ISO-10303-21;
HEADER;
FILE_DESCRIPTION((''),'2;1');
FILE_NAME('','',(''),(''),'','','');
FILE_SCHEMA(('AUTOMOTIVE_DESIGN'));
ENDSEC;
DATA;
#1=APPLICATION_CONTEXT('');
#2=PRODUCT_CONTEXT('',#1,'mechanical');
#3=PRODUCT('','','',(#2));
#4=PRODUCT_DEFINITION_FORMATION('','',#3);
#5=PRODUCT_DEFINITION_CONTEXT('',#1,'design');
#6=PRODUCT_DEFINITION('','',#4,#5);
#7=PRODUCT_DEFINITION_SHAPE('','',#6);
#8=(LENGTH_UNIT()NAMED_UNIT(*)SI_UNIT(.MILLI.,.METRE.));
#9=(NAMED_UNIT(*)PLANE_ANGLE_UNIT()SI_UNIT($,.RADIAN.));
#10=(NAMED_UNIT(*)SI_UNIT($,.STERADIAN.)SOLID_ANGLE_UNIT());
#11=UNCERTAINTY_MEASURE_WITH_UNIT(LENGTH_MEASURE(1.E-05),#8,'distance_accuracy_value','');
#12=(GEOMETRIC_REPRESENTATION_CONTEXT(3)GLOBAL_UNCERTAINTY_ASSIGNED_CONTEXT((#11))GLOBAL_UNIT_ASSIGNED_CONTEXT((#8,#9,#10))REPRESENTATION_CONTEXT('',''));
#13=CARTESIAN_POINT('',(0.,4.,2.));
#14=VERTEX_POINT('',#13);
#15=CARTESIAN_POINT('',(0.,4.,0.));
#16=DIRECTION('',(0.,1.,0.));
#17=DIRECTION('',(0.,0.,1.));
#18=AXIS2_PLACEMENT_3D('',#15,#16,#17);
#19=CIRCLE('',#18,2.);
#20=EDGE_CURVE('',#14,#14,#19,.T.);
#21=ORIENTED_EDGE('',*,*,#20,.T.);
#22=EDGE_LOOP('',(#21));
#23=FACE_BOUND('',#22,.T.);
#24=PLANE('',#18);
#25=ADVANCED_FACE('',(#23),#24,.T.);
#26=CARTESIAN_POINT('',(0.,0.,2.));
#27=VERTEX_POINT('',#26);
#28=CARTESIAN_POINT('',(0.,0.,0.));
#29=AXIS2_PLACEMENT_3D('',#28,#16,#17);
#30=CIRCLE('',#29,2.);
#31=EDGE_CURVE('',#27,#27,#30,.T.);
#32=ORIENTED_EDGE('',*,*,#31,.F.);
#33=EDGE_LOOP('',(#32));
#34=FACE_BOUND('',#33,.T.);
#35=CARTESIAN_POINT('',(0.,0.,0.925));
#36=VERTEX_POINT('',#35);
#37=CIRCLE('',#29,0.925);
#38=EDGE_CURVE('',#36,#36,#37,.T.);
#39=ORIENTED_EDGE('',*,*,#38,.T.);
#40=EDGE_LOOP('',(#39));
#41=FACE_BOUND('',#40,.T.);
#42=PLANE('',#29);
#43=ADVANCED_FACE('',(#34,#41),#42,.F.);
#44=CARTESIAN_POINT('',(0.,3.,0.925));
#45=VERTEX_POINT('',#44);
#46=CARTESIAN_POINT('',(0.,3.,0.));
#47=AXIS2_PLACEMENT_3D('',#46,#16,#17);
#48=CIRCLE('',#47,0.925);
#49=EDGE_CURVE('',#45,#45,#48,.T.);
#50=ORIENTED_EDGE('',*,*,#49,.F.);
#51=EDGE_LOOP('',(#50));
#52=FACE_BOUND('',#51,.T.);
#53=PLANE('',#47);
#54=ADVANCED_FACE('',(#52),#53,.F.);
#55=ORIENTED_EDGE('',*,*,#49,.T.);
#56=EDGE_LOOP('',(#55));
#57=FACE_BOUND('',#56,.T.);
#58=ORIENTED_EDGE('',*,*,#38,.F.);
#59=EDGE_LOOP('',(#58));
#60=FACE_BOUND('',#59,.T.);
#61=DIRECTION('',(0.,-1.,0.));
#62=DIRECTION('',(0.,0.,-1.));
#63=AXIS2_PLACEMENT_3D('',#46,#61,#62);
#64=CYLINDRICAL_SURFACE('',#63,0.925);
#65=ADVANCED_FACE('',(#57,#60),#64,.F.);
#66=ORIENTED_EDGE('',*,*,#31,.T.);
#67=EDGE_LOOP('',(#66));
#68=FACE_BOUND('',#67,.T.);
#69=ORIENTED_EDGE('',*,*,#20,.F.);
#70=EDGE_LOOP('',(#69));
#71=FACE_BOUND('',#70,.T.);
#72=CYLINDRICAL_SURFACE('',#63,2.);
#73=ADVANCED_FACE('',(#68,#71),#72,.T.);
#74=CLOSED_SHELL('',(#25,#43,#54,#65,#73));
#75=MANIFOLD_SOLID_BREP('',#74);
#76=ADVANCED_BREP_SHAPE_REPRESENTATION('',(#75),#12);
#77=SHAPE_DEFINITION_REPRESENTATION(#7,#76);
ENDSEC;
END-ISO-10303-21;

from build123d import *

# Parameters (mm, degrees)
SKETCH1_R           = 2
SKETCH1_R_2         = 0.925
BOSS_EXTRUDE1_DEPTH = 3
SKETCH2_R           = 2
BOSS_EXTRUDE2_DEPTH = 1


with BuildPart() as part:
    # Sketch1 → Boss-Extrude1 (new body)
    with BuildSketch(Plane(origin=(0, 0, 0), x_dir=(1, 0, 0), z_dir=(0, 1, 0))):
        with Locations(Location((0, 0, 0), (0, 0, 270))):
            Circle(SKETCH1_R)
        with Locations(Location((0, 0, 0), (0, 0, 270))):
            Circle(SKETCH1_R_2, mode=Mode.SUBTRACT)
    extrude(amount=BOSS_EXTRUDE1_DEPTH)

    # Sketch2 → Boss-Extrude2 (add)
    with BuildSketch(Plane(origin=(0, 3, 0), x_dir=(1, 0, 0), z_dir=(0, 1, 0))):
        with Locations(Location((0, 0, 0), (0, 0, 270))):
            Circle(SKETCH2_R)
    extrude(amount=BOSS_EXTRUDE2_DEPTH)


solid = part.part
